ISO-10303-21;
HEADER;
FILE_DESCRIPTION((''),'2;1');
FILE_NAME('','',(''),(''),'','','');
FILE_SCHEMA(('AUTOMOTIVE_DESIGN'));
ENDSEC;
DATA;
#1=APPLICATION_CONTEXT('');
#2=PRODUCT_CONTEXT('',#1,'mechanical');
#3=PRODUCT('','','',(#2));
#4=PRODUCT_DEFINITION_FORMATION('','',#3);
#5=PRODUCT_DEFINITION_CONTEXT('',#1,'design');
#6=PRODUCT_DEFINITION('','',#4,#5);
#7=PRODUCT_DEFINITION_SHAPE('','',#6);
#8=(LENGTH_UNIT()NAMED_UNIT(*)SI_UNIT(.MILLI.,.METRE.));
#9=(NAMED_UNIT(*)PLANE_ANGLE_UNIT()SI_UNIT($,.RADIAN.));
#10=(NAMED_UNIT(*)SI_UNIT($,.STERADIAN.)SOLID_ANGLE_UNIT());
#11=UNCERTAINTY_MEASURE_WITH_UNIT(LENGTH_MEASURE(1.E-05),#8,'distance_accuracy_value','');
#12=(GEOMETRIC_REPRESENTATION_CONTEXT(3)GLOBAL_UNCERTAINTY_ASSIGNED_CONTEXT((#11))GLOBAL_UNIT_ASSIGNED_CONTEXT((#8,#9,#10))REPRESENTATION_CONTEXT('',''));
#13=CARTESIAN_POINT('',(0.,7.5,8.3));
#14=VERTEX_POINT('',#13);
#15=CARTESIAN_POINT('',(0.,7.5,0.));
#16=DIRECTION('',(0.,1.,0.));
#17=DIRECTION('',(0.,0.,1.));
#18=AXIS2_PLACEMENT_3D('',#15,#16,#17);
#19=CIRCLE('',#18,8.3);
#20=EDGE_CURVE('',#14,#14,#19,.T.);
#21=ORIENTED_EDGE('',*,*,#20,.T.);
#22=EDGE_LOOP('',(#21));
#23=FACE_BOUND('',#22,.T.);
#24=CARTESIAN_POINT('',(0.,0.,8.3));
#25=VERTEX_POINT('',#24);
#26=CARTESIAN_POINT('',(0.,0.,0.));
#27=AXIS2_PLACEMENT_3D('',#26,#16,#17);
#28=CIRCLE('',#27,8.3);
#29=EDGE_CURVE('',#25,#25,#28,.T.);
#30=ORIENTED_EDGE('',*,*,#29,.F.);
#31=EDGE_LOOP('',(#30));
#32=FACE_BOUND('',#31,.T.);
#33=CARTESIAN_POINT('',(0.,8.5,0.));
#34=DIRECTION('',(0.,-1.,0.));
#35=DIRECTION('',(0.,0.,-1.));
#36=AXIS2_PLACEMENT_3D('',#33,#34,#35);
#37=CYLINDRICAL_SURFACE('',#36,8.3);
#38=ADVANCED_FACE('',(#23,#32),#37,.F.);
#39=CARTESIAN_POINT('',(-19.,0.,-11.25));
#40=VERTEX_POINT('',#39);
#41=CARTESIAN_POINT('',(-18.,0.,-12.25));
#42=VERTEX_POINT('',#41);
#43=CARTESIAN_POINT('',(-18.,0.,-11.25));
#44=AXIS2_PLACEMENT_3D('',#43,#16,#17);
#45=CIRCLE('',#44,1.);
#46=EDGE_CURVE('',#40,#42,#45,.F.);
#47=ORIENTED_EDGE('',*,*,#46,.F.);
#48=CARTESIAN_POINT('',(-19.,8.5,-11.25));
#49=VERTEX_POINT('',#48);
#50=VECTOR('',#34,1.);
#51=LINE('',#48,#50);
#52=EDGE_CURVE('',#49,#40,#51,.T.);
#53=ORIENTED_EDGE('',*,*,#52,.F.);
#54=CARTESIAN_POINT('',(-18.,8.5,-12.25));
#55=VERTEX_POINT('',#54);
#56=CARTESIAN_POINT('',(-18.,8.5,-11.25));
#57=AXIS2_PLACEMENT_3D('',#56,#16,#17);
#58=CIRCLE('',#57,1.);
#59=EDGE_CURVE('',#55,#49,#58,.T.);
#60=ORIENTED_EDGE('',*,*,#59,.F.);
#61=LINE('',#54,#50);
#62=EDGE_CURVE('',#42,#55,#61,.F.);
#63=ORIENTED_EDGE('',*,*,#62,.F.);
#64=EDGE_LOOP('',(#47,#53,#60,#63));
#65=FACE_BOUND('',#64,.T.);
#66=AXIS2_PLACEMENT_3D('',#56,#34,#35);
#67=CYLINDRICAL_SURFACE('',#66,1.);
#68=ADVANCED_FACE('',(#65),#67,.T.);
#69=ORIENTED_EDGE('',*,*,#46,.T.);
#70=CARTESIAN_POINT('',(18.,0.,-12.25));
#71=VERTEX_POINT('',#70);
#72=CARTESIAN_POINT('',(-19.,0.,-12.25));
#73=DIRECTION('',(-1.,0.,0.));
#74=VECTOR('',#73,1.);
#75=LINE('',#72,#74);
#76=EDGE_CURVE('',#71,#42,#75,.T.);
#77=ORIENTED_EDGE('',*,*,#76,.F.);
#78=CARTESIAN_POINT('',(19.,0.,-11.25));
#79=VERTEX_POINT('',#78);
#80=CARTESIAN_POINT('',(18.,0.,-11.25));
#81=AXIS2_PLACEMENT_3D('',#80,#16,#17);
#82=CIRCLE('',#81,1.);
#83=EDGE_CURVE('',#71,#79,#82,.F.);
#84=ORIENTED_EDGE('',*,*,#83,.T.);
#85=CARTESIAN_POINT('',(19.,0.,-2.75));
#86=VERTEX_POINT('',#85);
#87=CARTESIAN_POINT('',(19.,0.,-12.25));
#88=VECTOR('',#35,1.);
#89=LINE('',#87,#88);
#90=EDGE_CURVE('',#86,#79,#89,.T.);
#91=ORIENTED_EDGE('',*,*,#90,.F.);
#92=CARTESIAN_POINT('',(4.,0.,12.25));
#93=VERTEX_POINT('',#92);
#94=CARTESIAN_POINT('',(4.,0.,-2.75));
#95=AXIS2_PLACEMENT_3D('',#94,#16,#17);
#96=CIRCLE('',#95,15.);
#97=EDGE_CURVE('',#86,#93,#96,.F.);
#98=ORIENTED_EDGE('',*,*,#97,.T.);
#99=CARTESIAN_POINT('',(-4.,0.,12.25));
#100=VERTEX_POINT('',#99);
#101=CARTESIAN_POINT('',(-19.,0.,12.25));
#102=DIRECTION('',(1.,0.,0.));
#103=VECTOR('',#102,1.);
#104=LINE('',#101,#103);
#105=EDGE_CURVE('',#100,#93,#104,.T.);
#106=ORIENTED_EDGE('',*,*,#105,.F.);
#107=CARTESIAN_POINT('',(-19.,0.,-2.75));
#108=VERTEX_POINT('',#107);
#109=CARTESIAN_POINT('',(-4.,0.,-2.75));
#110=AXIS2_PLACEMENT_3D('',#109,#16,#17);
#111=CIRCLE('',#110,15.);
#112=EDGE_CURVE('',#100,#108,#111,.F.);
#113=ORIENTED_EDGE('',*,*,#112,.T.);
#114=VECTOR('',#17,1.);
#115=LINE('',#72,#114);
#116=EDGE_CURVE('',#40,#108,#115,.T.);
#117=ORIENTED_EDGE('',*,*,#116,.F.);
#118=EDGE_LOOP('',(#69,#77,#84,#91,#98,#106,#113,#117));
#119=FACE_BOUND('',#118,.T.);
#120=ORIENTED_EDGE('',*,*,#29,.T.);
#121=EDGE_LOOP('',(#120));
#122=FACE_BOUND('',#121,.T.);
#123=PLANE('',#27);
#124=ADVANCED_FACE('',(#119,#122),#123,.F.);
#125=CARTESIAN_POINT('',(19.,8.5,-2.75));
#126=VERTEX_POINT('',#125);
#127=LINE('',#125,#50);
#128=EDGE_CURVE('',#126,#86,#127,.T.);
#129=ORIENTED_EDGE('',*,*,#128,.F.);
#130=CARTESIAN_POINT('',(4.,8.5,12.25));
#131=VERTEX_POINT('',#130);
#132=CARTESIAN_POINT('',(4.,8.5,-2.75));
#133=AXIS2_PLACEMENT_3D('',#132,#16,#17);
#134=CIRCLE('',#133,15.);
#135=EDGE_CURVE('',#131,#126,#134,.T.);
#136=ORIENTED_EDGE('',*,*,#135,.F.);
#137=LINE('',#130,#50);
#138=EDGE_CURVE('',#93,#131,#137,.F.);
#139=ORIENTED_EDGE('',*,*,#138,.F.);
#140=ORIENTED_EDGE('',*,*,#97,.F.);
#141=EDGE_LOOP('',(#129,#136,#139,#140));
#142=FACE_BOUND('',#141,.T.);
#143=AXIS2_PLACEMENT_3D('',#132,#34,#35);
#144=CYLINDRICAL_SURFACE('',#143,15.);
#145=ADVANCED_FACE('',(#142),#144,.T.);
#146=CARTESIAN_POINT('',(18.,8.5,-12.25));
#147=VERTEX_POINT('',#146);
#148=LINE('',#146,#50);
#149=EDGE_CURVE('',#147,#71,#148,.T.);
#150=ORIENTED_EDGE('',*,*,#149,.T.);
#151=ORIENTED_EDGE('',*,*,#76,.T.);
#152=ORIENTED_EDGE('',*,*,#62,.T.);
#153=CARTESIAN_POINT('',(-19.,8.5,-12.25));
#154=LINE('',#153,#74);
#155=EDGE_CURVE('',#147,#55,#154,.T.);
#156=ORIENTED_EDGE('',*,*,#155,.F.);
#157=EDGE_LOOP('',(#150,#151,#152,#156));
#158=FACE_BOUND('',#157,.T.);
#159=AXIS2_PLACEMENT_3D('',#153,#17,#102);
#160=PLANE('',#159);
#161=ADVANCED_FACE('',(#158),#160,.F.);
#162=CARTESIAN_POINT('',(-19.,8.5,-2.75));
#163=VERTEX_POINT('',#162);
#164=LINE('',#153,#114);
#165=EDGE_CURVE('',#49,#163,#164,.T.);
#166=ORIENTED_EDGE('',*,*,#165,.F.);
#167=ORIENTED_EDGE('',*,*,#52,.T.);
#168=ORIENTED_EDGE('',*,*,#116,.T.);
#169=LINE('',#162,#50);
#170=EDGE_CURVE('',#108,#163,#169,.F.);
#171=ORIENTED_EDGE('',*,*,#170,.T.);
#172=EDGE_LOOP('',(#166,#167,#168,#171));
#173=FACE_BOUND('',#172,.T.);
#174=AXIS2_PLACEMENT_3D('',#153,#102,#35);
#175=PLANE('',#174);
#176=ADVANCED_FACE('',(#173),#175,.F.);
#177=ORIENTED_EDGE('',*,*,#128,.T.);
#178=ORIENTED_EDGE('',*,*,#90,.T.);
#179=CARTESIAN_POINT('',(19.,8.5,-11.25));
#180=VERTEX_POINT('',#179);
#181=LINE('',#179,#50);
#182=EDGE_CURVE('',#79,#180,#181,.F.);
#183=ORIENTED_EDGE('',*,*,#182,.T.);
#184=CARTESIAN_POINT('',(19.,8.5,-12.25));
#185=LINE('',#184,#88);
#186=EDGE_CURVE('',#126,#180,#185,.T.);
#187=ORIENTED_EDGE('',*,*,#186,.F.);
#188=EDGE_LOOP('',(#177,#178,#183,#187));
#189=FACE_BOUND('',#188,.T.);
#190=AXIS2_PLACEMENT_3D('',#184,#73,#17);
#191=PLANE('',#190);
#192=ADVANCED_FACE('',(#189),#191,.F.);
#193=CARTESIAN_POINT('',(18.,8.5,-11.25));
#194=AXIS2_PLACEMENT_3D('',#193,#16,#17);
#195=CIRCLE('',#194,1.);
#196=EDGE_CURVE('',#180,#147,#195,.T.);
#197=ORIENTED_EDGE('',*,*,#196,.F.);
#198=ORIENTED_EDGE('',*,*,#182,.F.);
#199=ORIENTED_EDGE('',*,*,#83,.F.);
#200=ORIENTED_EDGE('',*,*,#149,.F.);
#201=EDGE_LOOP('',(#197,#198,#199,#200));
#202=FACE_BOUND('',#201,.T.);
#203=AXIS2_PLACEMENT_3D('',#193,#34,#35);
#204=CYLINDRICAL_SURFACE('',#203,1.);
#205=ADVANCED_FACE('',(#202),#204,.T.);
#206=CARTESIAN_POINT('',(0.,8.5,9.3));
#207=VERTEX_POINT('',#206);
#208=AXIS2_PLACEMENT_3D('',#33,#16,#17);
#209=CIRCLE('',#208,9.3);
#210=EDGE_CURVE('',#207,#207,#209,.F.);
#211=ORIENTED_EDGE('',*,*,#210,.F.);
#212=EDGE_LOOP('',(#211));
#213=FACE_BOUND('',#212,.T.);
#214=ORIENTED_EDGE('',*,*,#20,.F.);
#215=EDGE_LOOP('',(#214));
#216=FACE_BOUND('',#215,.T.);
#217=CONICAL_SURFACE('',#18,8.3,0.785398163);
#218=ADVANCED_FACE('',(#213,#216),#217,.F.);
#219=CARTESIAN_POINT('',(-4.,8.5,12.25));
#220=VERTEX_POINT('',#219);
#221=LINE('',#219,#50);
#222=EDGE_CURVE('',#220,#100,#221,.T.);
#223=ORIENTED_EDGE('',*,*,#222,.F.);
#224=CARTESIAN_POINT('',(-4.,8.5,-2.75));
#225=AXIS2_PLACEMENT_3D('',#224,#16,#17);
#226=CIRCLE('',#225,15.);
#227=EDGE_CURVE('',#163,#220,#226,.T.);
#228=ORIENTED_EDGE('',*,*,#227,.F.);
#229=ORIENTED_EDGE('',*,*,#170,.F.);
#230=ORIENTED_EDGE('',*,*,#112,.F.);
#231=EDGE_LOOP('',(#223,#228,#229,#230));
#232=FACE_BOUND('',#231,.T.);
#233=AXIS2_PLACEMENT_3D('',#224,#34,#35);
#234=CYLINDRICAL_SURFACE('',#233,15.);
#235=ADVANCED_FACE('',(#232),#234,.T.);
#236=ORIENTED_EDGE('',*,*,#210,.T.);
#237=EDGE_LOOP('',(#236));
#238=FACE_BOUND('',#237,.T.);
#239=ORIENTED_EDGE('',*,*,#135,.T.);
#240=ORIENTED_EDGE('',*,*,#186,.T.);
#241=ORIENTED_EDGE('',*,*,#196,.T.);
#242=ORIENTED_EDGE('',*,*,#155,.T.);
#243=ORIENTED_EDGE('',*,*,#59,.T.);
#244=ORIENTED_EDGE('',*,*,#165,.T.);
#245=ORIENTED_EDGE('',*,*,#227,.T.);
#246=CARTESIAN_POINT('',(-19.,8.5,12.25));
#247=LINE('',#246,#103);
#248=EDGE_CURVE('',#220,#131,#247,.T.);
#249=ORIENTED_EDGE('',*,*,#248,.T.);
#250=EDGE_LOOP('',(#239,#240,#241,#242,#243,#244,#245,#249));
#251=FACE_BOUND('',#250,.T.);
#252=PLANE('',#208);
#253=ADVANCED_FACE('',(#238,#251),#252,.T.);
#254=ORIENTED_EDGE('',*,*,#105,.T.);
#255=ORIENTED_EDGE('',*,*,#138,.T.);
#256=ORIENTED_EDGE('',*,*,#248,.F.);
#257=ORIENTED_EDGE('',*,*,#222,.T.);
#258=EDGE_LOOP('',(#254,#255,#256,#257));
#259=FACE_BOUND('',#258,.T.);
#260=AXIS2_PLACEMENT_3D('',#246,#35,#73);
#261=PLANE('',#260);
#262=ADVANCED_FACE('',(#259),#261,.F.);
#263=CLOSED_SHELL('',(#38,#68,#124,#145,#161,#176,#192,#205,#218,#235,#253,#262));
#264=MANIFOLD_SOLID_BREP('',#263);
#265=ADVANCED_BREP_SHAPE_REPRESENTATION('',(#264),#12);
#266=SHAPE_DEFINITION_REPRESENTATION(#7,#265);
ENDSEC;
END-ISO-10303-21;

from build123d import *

# Parameters (mm, degrees)
SKETCH1_W           = 38
SKETCH1_H           = 24.5
SKETCH1_R           = 8.3
BOSS_EXTRUDE1_DEPTH = 8.5
FILLET1_R           = 15
FILLET2_R           = 1
CHAMFER1_SIZE       = 1


with BuildPart() as part:
    # Sketch1 → Boss-Extrude1 (new body)
    with BuildSketch(Plane(origin=(0, 0, 0), x_dir=(1, 0, 0), z_dir=(0, 1, 0))):
        Rectangle(SKETCH1_W, SKETCH1_H)
        with Locations(Location((0, 0, 0), (0, 0, 270))):
            Circle(SKETCH1_R, mode=Mode.SUBTRACT)
    extrude(amount=BOSS_EXTRUDE1_DEPTH)

    # Fillet1
    fillet1_edges = [part.edges().sort_by_distance(p)[0] for p in [
        (19, 4.25, 12.25),
        (-19, 4.25, 12.25),
    ]]
    fillet(fillet1_edges, radius=FILLET1_R)

    # Fillet2
    fillet2_edges = [part.edges().sort_by_distance(p)[0] for p in [
        (-19, 4.25, -12.25),
        (19, 4.25, -12.25),
    ]]
    fillet(fillet2_edges, radius=FILLET2_R)

    # Chamfer1
    chamfer1_edges = [part.edges().sort_by_distance(p)[0] for p in [
        (0, 8.5, -8.3),
    ]]
    chamfer(chamfer1_edges, length=CHAMFER1_SIZE)


solid = part.part
